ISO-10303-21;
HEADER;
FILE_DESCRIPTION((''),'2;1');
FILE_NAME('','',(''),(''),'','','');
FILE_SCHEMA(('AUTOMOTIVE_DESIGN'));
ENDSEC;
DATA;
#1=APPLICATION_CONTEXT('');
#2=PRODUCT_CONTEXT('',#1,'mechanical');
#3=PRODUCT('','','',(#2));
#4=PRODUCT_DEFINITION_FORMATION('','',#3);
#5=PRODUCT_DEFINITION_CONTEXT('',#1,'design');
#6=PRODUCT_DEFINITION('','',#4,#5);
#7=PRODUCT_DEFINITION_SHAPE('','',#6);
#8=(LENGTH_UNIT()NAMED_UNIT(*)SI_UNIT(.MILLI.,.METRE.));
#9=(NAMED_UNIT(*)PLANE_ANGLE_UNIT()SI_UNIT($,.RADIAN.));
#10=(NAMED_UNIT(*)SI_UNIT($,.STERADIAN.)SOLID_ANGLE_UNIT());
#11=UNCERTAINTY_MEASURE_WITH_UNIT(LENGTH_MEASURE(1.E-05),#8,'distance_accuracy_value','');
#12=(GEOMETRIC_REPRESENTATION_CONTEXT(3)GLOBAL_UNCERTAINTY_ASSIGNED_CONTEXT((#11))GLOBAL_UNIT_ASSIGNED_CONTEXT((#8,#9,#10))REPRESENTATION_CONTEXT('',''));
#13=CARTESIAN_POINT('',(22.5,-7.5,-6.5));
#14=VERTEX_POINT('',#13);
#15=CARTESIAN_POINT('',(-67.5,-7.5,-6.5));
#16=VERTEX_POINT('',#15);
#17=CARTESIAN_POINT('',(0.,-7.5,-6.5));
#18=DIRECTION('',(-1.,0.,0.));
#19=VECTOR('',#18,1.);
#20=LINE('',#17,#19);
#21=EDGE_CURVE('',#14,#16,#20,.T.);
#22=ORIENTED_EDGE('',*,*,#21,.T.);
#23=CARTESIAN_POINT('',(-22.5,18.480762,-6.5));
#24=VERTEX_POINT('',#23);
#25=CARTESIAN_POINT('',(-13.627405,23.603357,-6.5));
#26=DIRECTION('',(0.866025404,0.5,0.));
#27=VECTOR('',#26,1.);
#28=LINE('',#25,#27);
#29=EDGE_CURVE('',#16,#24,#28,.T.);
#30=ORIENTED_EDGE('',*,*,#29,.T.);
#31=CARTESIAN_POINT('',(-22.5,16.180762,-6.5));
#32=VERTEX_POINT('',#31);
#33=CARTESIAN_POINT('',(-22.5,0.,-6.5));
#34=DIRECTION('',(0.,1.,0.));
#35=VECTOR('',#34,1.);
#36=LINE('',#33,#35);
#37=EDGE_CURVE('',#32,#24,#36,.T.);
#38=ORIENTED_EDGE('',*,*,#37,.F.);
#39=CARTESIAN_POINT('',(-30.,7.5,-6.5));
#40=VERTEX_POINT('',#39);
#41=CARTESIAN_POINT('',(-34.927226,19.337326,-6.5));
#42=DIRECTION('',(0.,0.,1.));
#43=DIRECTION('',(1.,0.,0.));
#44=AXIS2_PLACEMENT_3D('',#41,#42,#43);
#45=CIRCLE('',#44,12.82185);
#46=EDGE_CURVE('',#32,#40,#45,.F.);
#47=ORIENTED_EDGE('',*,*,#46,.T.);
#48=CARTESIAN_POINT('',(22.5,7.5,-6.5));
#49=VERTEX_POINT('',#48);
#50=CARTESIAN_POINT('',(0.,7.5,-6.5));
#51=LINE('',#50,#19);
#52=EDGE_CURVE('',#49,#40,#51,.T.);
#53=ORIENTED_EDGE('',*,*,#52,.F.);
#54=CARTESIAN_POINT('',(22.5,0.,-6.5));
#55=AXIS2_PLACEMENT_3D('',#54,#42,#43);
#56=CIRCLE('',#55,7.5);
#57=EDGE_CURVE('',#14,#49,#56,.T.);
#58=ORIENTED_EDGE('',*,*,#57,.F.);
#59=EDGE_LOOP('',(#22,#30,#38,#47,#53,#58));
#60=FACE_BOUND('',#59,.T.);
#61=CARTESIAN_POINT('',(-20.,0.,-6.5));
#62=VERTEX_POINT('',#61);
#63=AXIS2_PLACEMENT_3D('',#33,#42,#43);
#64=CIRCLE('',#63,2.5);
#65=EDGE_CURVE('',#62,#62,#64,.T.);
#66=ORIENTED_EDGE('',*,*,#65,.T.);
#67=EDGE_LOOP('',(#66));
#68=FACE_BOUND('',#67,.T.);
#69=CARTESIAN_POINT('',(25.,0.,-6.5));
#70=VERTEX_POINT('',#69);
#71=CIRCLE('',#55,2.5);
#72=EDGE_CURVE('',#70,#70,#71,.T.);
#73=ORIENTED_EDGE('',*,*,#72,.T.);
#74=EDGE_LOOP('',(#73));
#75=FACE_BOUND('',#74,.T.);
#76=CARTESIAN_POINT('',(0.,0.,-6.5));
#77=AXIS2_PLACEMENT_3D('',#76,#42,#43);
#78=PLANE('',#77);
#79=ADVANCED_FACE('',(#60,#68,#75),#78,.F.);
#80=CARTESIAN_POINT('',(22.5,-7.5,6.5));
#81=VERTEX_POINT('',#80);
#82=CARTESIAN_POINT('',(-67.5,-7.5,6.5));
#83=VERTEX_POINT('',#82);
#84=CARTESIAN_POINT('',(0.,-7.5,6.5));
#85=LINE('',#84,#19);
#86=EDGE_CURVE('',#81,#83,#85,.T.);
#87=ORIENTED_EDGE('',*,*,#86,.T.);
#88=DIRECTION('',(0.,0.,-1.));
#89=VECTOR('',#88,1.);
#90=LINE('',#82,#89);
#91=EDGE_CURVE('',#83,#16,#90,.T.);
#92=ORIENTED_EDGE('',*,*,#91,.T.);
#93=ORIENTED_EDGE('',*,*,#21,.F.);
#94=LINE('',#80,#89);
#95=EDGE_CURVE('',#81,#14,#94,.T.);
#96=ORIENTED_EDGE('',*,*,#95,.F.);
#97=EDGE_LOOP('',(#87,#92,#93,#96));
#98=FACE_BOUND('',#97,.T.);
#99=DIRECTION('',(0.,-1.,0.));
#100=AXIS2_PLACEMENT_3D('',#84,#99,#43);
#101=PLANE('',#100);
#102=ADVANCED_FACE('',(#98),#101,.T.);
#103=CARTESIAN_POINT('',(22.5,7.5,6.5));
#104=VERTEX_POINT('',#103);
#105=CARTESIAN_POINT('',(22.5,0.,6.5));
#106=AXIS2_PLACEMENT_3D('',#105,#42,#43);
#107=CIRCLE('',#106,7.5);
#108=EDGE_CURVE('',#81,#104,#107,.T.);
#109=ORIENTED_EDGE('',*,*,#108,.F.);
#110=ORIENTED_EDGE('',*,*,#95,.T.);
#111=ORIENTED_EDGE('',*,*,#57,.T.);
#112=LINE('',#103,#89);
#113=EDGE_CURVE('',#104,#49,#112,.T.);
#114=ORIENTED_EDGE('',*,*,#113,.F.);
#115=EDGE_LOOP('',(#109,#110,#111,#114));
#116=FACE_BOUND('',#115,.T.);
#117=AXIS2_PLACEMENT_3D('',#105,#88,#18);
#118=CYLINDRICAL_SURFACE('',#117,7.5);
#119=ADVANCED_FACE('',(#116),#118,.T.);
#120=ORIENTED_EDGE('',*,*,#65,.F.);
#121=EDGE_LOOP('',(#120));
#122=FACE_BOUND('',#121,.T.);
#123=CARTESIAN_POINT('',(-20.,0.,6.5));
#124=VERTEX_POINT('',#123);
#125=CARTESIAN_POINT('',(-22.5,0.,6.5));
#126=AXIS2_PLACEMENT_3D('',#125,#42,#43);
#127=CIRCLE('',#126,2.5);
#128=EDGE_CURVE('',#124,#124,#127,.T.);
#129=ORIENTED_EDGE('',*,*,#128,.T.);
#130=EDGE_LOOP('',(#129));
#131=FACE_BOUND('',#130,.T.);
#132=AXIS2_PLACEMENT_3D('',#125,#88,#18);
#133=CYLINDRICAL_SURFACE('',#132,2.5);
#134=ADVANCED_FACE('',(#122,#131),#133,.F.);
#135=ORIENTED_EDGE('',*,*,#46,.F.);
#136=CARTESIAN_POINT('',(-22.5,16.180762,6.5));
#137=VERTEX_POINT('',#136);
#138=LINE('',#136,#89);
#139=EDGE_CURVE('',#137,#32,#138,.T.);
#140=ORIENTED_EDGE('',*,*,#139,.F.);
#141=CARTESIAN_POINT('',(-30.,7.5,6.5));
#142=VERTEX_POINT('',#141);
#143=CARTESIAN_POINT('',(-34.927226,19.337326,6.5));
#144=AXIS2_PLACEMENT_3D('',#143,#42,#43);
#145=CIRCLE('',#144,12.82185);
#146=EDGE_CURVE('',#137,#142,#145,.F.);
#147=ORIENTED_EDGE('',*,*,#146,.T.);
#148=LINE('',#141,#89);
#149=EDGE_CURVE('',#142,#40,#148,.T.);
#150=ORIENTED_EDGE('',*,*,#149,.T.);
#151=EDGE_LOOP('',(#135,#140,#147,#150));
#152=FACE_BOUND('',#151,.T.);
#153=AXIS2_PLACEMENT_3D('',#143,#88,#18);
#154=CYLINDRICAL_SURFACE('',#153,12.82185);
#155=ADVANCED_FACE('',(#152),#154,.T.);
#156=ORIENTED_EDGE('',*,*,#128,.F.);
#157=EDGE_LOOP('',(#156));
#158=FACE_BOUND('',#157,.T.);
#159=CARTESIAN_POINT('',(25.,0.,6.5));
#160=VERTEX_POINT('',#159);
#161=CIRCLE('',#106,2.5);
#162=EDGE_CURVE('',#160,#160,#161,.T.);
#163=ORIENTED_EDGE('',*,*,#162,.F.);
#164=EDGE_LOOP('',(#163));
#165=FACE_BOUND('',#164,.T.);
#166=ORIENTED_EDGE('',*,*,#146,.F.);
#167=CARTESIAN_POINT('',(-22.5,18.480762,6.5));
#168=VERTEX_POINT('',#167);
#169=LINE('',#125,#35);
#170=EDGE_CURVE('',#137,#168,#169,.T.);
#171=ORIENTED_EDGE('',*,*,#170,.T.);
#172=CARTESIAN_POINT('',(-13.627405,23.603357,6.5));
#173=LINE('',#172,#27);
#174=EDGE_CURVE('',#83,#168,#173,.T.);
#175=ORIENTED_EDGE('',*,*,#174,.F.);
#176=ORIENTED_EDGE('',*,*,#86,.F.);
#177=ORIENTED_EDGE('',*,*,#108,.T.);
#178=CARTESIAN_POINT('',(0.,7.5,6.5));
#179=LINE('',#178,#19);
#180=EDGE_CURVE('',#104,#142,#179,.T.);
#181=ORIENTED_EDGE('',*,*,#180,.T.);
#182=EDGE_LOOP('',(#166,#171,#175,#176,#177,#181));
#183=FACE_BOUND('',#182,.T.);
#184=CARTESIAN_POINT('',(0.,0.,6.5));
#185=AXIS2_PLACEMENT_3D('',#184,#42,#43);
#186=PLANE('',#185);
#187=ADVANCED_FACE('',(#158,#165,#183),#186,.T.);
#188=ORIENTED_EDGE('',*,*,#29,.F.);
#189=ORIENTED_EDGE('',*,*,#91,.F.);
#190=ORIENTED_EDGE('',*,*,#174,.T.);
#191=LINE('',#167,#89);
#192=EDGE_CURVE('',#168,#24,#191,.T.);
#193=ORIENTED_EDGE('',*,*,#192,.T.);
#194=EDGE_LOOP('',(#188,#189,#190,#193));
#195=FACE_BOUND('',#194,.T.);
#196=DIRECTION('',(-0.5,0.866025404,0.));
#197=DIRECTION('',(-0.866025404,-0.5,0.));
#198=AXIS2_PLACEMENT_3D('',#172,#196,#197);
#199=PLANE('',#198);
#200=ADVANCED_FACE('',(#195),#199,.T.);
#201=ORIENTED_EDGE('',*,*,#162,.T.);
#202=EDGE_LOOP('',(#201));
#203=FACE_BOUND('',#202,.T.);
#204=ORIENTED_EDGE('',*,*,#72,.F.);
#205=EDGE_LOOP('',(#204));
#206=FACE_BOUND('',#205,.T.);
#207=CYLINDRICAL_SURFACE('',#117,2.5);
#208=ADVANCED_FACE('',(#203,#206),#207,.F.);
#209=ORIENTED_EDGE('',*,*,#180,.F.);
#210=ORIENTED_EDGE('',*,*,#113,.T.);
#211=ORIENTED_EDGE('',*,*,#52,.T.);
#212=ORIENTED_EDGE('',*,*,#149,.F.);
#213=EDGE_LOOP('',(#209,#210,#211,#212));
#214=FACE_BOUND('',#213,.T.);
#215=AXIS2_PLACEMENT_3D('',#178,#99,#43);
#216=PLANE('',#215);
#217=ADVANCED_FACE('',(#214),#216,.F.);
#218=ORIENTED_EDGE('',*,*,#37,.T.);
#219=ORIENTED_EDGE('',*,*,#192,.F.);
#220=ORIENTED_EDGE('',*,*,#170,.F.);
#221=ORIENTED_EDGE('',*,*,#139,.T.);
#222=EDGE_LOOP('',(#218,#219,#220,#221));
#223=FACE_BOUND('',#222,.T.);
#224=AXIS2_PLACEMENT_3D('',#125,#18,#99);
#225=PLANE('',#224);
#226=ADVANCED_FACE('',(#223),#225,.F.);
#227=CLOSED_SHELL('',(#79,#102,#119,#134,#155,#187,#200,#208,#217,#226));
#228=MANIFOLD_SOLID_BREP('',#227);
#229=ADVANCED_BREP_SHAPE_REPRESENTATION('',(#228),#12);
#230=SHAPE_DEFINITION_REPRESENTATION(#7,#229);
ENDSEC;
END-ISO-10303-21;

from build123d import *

# Parameters (mm, degrees)
SKETCH1_R           = 2.5
BOSS_EXTRUDE1_DEPTH = 6.5


with BuildPart() as part:
    # Sketch1 → Boss-Extrude1 (new, symmetric)
    with BuildSketch(Plane.XY):
        with BuildLine():
            ThreePointArc((22.5, -7.5), (30, 0), (22.5, 7.5))
            Line((22.5, 7.5), (-30, 7.5))
            ThreePointArc((-30, 7.5), (-25.225001549, 10.954803468), (-22.5, 16.180762114))
            Line((-22.5, 16.180762114), (-22.5, 18.480762114))
            Line((-22.5, 18.480762114), (-67.5, -7.5))
            Line((-67.5, -7.5), (22.5, -7.5))
        make_face()
        with Locations((-22.5, 0)):
            Circle(SKETCH1_R, mode=Mode.SUBTRACT)
        with Locations((22.5, 0)):
            Circle(SKETCH1_R, mode=Mode.SUBTRACT)
    extrude(amount=BOSS_EXTRUDE1_DEPTH, both=True)


solid = part.part
